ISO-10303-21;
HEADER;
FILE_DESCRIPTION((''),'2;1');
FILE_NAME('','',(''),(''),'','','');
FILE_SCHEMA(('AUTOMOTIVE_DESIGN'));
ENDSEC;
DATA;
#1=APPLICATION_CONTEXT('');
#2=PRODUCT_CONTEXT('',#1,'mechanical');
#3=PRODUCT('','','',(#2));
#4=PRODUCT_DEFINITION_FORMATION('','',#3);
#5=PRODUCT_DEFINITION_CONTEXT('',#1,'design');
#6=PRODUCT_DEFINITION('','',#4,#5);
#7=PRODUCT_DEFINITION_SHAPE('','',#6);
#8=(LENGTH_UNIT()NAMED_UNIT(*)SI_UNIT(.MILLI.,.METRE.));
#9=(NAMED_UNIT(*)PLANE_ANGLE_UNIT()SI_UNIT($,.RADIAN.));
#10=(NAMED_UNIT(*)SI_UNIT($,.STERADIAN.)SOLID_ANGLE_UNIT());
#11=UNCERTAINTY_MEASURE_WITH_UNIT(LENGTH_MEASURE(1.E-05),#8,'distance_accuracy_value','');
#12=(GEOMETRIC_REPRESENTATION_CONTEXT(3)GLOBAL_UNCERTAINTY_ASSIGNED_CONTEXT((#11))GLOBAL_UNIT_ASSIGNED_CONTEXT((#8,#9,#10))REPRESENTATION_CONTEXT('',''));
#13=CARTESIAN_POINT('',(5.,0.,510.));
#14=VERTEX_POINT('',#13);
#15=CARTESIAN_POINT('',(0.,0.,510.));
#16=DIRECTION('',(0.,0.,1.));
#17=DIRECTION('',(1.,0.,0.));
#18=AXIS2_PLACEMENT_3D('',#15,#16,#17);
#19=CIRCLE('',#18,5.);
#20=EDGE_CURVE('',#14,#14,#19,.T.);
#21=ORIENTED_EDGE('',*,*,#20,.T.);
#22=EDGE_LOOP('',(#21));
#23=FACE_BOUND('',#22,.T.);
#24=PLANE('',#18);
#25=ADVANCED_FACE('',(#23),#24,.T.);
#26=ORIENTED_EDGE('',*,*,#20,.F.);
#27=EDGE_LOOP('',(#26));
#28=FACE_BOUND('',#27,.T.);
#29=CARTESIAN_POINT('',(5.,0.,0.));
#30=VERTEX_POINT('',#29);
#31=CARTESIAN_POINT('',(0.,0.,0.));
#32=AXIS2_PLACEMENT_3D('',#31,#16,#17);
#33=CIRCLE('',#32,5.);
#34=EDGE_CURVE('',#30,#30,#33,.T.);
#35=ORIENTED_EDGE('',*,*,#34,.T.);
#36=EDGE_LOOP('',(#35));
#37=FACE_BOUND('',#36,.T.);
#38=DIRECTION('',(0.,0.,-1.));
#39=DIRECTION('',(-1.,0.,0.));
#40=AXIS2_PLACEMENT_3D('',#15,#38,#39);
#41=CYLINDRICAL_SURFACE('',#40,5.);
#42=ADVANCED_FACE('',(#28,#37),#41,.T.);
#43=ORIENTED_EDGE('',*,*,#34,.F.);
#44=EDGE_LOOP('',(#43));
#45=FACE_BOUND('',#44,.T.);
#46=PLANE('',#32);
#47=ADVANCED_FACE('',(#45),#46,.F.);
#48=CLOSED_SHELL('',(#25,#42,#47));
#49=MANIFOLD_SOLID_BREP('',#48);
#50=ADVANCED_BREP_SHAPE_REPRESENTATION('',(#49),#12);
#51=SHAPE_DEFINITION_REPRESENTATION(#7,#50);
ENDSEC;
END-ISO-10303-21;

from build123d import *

# Parameters (mm, degrees)
SKETCH1_R           = 5
BOSS_EXTRUDE4_DEPTH = 510


with BuildPart() as part:
    # Sketch1 → Boss-Extrude4 (new body)
    with BuildSketch(Plane.XY):
        Circle(SKETCH1_R)
    extrude(amount=BOSS_EXTRUDE4_DEPTH)


solid = part.part
